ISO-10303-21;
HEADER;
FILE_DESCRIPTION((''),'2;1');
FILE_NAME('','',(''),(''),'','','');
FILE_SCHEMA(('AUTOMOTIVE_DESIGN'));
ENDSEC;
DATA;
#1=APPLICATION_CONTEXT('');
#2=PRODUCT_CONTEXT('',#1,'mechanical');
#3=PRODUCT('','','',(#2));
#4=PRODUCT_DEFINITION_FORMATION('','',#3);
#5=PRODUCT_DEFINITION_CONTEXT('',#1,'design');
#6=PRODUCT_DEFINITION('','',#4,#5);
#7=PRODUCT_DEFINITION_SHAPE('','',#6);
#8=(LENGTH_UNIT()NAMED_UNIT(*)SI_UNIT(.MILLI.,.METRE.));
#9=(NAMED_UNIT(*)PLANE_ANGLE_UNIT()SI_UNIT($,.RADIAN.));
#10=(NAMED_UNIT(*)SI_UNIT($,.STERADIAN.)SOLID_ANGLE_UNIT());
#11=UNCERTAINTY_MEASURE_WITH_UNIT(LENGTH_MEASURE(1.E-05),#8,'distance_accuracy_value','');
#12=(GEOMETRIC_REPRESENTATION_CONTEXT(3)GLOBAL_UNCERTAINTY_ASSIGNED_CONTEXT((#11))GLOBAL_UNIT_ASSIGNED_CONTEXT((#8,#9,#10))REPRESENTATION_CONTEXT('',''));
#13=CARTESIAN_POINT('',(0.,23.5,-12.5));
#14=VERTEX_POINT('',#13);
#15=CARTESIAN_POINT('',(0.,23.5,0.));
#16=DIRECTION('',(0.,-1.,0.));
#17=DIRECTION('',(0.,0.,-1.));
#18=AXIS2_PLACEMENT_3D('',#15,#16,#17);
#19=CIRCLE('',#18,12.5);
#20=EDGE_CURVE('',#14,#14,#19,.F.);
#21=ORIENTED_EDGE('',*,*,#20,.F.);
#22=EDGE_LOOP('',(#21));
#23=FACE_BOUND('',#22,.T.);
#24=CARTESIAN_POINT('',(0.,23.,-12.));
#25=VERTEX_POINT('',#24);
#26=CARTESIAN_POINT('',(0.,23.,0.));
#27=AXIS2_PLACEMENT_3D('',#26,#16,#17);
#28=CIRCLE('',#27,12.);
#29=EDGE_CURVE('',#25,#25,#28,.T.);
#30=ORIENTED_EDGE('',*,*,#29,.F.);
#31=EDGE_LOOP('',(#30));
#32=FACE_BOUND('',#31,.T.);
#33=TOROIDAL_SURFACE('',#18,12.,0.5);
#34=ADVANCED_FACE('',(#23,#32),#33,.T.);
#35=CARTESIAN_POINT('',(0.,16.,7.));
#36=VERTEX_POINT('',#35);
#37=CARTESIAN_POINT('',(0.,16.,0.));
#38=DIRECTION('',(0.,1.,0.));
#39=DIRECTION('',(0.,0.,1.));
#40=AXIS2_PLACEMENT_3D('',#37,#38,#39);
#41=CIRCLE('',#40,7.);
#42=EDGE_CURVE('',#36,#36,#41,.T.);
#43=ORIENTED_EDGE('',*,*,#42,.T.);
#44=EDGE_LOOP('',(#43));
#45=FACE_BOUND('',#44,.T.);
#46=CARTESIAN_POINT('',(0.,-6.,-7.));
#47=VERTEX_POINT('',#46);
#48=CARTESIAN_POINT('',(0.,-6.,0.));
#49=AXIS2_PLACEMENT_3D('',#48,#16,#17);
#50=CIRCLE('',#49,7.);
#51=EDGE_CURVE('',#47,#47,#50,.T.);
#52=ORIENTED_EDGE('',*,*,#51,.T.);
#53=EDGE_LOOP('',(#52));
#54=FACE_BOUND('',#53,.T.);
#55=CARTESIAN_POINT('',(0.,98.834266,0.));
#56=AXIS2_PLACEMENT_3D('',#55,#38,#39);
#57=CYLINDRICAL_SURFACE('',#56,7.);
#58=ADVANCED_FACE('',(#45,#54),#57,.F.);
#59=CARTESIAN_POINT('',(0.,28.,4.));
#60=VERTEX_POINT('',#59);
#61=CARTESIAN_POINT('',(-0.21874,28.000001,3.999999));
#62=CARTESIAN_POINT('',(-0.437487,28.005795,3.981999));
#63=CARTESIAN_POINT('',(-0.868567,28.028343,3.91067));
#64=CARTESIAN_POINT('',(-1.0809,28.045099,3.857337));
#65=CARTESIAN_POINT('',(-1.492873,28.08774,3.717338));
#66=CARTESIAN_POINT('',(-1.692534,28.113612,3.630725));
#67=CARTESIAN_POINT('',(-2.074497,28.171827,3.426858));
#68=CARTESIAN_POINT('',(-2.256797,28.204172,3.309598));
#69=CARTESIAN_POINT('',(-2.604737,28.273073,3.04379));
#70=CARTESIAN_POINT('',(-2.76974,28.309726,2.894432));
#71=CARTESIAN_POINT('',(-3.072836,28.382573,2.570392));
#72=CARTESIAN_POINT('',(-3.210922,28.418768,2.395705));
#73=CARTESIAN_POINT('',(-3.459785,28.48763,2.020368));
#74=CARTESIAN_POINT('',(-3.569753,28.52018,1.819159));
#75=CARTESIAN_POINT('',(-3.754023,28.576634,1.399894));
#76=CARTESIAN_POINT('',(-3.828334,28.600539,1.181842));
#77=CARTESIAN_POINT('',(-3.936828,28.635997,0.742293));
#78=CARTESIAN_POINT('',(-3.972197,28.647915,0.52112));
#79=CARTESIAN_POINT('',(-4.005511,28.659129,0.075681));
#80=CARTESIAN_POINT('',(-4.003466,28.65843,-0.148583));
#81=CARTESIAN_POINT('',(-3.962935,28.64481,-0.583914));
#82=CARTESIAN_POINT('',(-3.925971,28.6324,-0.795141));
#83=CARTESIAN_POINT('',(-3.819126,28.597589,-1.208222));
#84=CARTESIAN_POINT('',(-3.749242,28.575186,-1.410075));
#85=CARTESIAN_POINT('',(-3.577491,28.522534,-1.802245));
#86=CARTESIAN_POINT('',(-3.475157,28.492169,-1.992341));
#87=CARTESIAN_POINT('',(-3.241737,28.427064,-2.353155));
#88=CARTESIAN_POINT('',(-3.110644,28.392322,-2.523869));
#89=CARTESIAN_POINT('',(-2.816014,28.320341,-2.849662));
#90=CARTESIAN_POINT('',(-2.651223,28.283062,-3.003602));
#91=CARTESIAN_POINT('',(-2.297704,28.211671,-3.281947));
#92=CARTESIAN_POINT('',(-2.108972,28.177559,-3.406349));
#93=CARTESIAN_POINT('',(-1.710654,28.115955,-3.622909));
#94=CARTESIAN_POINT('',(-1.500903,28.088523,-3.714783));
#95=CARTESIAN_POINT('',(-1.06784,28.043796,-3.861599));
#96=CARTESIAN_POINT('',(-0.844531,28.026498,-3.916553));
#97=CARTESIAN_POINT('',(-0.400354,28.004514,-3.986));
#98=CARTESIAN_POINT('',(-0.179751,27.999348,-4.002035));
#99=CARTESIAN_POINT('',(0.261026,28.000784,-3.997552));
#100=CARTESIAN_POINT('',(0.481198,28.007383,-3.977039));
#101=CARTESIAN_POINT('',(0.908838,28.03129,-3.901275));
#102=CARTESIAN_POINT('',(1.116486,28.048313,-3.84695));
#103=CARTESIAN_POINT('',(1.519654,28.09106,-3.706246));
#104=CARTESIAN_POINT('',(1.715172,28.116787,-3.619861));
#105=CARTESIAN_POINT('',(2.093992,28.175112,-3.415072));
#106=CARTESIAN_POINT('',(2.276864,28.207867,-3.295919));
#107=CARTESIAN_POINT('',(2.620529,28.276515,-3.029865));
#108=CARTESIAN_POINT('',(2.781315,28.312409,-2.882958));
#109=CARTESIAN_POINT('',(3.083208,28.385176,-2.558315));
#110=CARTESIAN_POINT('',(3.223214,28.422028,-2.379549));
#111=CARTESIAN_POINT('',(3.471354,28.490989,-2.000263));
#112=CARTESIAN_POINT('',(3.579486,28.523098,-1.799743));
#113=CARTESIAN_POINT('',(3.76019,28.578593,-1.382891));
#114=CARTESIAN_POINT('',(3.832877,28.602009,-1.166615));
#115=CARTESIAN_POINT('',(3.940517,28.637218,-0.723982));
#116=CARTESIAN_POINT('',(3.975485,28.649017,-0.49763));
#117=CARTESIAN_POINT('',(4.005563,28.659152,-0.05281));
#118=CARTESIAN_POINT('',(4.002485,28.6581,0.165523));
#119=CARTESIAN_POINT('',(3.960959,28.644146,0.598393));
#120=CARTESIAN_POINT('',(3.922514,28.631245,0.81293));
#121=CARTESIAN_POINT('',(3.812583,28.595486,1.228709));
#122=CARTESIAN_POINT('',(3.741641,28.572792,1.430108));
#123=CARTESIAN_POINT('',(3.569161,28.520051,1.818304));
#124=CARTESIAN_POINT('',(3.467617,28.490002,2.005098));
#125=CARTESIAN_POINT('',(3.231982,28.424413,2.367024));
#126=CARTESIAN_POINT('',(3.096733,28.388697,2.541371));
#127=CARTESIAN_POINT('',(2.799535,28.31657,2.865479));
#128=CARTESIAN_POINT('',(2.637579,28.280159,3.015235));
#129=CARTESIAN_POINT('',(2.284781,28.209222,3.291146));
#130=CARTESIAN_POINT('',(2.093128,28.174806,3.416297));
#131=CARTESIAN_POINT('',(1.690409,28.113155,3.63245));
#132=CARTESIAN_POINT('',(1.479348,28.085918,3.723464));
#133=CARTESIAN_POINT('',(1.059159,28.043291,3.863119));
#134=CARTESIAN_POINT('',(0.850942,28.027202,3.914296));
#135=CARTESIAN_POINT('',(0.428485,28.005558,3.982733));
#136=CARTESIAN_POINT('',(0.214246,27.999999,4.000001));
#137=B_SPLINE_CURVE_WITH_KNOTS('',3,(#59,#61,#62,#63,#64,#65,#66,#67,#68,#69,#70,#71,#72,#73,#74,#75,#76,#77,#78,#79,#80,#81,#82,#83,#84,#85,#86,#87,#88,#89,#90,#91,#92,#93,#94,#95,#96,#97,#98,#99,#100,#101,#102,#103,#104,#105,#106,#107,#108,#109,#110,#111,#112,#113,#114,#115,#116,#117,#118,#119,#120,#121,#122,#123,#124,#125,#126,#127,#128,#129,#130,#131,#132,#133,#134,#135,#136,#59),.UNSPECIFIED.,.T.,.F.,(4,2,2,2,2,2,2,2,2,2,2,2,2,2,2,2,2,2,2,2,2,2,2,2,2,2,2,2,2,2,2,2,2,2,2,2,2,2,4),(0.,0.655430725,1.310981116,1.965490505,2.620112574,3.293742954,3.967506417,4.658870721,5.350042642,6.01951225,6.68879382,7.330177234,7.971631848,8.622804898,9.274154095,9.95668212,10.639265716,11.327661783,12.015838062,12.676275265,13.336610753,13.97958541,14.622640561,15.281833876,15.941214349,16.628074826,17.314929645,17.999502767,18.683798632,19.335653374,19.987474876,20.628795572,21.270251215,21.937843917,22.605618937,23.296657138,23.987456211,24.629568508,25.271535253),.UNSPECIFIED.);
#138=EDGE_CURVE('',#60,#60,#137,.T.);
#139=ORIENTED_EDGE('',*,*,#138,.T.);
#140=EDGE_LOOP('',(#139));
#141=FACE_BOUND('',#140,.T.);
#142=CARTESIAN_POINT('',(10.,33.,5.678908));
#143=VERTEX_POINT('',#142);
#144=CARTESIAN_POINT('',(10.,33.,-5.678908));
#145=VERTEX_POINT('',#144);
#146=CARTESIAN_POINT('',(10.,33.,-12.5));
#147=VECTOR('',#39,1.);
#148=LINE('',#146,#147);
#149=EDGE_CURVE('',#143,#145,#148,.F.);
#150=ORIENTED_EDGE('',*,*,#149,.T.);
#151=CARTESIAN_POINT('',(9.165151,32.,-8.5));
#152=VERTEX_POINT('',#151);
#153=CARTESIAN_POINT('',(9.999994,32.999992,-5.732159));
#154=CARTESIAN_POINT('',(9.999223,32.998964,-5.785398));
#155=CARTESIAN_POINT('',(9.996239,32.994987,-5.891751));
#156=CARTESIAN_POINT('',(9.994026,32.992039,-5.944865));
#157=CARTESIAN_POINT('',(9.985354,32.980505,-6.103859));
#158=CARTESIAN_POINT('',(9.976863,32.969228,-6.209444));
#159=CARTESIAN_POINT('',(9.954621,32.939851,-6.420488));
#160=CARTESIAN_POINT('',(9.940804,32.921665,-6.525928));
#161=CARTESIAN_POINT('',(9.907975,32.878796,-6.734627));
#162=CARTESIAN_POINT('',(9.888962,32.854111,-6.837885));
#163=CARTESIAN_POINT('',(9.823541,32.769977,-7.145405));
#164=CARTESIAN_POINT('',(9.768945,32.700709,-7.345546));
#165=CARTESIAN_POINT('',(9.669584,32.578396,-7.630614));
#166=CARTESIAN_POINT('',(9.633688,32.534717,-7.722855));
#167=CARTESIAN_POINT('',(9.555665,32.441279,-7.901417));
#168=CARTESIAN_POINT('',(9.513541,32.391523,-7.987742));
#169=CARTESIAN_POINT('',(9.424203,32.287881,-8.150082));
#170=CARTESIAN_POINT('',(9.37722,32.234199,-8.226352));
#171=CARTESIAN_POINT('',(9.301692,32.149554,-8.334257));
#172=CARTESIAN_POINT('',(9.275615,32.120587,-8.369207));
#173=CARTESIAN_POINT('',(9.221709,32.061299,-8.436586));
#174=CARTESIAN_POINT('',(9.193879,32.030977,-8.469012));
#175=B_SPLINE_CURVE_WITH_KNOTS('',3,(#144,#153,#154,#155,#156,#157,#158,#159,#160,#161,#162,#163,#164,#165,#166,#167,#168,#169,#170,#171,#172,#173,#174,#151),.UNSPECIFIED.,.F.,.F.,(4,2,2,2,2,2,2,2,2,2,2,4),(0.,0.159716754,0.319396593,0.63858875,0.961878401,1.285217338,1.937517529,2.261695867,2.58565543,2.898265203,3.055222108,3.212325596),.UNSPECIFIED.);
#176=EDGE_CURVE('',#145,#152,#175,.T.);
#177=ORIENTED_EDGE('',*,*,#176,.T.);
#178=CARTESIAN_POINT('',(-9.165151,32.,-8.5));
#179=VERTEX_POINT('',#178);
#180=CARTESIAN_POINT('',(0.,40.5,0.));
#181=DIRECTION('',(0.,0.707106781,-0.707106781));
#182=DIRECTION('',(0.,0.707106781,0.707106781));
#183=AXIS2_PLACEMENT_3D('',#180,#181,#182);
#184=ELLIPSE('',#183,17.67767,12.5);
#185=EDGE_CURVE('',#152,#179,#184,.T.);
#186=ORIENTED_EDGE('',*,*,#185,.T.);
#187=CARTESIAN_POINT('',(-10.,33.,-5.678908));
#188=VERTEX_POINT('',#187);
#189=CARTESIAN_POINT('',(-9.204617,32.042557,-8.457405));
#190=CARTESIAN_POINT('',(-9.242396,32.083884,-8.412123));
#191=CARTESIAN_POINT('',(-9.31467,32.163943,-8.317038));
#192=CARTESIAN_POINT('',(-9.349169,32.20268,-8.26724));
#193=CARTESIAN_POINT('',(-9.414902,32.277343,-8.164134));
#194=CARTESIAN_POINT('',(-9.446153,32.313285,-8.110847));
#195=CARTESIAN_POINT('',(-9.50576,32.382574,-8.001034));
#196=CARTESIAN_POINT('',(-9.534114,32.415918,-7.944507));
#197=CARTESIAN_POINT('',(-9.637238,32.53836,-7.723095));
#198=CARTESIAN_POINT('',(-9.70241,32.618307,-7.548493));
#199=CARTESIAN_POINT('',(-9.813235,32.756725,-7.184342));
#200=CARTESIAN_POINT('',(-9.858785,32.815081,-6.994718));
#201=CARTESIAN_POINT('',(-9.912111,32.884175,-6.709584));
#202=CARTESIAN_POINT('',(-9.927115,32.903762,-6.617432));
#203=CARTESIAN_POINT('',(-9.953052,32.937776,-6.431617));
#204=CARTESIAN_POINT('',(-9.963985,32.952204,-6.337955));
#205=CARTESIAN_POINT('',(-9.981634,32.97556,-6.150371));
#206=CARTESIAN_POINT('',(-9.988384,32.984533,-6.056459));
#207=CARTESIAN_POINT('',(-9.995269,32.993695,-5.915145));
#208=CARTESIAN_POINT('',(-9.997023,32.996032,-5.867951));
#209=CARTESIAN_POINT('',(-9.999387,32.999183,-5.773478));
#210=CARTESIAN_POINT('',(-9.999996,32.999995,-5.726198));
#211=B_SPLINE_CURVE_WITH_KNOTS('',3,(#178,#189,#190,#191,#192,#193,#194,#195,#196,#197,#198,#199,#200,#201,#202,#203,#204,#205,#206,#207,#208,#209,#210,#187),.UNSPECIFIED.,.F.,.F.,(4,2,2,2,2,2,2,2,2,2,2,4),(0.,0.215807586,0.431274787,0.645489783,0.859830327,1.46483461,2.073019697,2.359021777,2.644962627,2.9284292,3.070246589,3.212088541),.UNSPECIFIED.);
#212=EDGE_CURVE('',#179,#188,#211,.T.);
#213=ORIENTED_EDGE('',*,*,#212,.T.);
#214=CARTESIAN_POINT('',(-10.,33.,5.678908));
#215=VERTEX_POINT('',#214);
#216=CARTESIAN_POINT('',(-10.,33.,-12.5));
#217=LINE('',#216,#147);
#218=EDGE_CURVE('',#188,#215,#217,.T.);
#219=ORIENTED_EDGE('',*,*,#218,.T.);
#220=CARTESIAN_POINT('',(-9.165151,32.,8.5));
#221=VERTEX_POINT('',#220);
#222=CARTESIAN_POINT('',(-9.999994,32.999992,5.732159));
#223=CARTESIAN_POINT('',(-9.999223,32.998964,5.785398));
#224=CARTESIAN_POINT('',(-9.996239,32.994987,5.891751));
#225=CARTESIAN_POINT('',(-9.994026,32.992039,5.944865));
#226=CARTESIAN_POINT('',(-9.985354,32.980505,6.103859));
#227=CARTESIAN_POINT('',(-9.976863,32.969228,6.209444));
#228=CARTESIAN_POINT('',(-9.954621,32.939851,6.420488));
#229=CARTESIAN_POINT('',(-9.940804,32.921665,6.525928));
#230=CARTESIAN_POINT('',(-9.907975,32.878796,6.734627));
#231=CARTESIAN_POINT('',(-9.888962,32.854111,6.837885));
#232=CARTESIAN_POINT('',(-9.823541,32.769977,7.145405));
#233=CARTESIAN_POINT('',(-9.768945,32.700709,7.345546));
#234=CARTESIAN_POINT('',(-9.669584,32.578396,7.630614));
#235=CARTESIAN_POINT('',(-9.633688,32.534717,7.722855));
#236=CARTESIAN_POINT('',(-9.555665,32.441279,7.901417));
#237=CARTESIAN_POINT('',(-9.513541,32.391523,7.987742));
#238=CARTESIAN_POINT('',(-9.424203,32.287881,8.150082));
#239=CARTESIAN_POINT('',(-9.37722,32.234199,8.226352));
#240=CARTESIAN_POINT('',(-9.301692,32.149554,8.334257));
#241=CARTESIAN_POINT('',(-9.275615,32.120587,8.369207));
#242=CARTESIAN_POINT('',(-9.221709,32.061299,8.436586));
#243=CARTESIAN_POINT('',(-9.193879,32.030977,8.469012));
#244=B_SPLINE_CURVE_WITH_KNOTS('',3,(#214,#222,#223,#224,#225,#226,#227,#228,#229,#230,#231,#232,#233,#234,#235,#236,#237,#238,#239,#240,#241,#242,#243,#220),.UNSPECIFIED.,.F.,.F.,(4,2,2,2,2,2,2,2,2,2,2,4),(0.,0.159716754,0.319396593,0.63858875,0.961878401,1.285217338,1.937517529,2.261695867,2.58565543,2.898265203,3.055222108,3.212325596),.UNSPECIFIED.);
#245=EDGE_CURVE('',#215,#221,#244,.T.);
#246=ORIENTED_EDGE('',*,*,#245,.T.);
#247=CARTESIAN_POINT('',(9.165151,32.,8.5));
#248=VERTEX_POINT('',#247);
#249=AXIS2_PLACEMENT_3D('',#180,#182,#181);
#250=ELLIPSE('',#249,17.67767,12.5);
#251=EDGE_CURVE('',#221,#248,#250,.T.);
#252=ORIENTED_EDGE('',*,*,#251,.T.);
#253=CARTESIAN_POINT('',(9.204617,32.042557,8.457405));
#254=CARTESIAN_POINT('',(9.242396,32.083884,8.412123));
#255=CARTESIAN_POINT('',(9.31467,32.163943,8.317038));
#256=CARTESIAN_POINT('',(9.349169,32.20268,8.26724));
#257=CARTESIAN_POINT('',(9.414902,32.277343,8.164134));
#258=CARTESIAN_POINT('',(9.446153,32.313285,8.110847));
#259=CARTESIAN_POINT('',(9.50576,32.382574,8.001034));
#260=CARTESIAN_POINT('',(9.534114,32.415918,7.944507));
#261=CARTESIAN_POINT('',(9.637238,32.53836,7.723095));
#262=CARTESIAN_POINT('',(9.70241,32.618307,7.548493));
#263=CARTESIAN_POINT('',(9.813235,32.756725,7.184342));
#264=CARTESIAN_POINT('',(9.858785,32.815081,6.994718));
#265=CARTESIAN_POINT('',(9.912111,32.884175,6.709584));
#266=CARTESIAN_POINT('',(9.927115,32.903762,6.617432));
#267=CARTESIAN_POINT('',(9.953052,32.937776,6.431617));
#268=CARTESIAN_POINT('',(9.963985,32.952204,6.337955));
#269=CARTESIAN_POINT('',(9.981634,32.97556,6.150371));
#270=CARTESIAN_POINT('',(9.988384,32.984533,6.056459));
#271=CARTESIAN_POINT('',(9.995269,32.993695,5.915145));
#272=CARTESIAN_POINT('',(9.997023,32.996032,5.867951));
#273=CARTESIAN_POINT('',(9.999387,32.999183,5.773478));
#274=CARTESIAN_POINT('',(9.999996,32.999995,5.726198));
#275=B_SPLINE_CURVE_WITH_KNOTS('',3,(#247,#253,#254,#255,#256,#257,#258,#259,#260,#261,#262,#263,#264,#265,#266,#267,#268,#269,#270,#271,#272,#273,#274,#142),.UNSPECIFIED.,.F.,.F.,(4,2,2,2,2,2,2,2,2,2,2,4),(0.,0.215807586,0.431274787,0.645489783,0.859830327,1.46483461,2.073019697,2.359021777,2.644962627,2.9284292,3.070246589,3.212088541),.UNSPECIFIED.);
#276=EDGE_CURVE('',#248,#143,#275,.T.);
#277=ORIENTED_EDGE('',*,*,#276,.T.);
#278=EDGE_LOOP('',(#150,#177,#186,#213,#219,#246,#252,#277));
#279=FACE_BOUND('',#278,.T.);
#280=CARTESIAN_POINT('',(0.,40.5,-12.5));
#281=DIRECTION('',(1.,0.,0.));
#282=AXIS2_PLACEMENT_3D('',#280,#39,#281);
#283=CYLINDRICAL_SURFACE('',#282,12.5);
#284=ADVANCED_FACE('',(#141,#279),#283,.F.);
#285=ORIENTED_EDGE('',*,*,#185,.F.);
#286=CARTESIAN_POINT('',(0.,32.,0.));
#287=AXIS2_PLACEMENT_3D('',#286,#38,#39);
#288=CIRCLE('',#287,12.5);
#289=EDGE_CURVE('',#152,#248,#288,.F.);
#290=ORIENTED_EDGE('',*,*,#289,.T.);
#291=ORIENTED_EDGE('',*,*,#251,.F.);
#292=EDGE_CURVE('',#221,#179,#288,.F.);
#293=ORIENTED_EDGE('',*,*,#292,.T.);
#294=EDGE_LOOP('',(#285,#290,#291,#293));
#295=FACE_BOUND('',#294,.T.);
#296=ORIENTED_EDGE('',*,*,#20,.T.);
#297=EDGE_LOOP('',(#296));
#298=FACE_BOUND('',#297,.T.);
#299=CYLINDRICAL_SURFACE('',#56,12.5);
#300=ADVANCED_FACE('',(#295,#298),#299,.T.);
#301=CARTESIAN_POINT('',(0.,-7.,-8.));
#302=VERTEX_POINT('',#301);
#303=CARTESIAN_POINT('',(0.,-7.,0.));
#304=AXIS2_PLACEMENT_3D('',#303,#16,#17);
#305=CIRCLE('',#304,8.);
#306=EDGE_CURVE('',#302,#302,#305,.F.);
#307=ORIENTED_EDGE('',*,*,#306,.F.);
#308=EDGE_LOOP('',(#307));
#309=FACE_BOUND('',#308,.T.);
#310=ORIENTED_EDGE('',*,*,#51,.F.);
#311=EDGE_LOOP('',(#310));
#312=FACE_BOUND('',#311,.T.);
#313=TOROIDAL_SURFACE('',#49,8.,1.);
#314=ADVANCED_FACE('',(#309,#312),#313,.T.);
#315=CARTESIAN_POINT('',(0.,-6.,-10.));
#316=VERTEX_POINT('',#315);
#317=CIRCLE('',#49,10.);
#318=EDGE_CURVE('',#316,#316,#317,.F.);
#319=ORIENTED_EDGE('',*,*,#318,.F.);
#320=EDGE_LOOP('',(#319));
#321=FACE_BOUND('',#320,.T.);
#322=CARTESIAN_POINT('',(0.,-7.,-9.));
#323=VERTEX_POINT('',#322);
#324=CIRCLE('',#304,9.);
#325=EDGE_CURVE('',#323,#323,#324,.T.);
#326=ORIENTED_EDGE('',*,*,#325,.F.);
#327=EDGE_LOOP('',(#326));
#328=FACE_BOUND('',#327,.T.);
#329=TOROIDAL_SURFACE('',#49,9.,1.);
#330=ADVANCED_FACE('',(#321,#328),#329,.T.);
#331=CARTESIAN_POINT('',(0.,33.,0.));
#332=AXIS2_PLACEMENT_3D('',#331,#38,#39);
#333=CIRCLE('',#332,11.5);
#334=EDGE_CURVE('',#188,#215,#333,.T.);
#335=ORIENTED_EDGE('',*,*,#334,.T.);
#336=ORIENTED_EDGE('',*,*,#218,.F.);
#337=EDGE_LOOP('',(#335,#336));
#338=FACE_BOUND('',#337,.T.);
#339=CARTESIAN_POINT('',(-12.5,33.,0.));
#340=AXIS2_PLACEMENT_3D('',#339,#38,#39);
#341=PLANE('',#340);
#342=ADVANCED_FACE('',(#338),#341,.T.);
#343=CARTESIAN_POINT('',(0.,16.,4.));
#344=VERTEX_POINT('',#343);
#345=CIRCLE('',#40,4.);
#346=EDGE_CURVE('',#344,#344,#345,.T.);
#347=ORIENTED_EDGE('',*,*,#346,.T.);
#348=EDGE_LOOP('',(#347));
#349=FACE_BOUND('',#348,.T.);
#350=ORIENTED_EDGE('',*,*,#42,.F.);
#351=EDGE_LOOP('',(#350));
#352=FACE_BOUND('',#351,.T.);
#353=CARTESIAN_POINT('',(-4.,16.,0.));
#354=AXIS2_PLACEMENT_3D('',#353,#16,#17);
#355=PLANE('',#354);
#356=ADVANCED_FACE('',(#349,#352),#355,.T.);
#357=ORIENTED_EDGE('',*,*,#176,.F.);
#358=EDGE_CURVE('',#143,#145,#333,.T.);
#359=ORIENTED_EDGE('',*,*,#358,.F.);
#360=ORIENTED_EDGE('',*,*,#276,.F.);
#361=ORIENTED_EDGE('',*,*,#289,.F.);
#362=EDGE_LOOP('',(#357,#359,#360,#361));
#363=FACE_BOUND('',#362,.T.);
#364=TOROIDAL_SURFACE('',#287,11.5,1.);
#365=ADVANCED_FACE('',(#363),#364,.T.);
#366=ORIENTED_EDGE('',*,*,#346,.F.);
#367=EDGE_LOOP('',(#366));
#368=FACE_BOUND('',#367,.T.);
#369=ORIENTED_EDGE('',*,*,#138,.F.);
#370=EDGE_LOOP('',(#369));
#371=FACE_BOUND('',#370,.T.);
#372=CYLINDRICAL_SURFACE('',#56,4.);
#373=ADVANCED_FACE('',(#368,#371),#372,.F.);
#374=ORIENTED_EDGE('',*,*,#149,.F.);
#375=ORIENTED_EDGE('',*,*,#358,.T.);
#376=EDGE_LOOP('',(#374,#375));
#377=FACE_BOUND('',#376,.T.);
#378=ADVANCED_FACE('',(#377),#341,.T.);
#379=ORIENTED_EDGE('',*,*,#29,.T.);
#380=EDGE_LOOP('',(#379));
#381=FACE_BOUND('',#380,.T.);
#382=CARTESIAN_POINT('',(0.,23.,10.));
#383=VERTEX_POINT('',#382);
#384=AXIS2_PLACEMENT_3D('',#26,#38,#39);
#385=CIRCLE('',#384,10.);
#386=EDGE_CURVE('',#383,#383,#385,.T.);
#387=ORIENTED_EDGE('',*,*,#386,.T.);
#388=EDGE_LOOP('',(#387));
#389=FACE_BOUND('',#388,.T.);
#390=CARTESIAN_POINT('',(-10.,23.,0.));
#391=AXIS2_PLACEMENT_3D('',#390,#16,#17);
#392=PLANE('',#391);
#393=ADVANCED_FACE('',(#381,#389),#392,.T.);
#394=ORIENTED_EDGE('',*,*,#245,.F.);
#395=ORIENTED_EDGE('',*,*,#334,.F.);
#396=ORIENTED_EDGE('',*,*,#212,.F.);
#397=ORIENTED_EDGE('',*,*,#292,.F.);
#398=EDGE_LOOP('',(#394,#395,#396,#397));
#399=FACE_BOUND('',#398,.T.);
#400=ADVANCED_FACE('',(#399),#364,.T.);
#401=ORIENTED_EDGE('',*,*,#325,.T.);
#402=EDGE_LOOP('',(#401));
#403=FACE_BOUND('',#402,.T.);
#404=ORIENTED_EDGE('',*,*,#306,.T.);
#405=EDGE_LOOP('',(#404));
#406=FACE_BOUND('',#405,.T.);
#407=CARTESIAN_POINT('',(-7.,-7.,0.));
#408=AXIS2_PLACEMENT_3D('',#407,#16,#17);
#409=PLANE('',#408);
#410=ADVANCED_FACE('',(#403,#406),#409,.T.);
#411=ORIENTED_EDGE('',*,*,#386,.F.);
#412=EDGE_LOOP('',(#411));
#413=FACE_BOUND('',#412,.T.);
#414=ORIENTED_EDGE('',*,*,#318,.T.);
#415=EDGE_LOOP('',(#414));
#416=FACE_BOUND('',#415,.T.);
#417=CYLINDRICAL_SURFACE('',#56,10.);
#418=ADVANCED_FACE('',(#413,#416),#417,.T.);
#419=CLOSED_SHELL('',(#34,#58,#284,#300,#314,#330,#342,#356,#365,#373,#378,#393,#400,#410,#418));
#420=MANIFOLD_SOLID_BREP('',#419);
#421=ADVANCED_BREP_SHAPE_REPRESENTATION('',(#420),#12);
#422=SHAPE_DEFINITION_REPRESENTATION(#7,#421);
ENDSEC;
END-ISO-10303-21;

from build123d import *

# Parameters (mm, degrees)
CUT_EXTRUDE_1_DEPTH      = 38.436613095
CUT_EXTRUDE_1_DEPTH_BACK = 38.436613095
SKETCH_2_R               = 12.5
FILLET_1_R               = 1
FILLET_2_R               = 0.5
FILLET_3_R               = 1


with BuildPart() as part:
    # Эскиз1 → Повернуть1 (revolve)
    with BuildSketch(Plane.XY, mode=Mode.PRIVATE) as revolve_1_sk:
        Polygon((-4, 33), (-4, 16), (-7, 16), (-7, -7), (-10, -7), (-10, 23), (-12.5, 23), (-12.5, 33), align=None)
    revolve(revolve_1_sk.sketch.rotate(Axis((0, 98.834265919, 0), (0, -1, 0)), 270), axis=Axis((0, 98.834265919, 0), (0, -1, 0)))

    # Эскиз2 → Вырез-Вытянуть1 (cut, two sides: drawn at the far end of the back side and taken through both)
    with BuildSketch(Plane.XY.offset(-CUT_EXTRUDE_1_DEPTH_BACK)):
        with Locations((0, 40.5)):
            Circle(SKETCH_2_R)
    extrude(amount=CUT_EXTRUDE_1_DEPTH + CUT_EXTRUDE_1_DEPTH_BACK, mode=Mode.SUBTRACT)

    # Скругление1
    fillet_1_edges = [part.edges().sort_by_distance(p)[0] for p in [
        (12.5, 33, 0),
        (-12.5, 33, 0),
    ]]
    fillet(fillet_1_edges, radius=FILLET_1_R)

    # Скругление2
    fillet_2_edges = [part.edges().sort_by_distance(p)[0] for p in [
        (0, 23, -12.5),
    ]]
    fillet(fillet_2_edges, radius=FILLET_2_R)

    # Скругление3
    fillet_3_edges = [part.edges().sort_by_distance(p)[0] for p in [
        (0, -7, -10),
        (0, -7, -7),
    ]]
    fillet(fillet_3_edges, radius=FILLET_3_R)


solid = part.part
